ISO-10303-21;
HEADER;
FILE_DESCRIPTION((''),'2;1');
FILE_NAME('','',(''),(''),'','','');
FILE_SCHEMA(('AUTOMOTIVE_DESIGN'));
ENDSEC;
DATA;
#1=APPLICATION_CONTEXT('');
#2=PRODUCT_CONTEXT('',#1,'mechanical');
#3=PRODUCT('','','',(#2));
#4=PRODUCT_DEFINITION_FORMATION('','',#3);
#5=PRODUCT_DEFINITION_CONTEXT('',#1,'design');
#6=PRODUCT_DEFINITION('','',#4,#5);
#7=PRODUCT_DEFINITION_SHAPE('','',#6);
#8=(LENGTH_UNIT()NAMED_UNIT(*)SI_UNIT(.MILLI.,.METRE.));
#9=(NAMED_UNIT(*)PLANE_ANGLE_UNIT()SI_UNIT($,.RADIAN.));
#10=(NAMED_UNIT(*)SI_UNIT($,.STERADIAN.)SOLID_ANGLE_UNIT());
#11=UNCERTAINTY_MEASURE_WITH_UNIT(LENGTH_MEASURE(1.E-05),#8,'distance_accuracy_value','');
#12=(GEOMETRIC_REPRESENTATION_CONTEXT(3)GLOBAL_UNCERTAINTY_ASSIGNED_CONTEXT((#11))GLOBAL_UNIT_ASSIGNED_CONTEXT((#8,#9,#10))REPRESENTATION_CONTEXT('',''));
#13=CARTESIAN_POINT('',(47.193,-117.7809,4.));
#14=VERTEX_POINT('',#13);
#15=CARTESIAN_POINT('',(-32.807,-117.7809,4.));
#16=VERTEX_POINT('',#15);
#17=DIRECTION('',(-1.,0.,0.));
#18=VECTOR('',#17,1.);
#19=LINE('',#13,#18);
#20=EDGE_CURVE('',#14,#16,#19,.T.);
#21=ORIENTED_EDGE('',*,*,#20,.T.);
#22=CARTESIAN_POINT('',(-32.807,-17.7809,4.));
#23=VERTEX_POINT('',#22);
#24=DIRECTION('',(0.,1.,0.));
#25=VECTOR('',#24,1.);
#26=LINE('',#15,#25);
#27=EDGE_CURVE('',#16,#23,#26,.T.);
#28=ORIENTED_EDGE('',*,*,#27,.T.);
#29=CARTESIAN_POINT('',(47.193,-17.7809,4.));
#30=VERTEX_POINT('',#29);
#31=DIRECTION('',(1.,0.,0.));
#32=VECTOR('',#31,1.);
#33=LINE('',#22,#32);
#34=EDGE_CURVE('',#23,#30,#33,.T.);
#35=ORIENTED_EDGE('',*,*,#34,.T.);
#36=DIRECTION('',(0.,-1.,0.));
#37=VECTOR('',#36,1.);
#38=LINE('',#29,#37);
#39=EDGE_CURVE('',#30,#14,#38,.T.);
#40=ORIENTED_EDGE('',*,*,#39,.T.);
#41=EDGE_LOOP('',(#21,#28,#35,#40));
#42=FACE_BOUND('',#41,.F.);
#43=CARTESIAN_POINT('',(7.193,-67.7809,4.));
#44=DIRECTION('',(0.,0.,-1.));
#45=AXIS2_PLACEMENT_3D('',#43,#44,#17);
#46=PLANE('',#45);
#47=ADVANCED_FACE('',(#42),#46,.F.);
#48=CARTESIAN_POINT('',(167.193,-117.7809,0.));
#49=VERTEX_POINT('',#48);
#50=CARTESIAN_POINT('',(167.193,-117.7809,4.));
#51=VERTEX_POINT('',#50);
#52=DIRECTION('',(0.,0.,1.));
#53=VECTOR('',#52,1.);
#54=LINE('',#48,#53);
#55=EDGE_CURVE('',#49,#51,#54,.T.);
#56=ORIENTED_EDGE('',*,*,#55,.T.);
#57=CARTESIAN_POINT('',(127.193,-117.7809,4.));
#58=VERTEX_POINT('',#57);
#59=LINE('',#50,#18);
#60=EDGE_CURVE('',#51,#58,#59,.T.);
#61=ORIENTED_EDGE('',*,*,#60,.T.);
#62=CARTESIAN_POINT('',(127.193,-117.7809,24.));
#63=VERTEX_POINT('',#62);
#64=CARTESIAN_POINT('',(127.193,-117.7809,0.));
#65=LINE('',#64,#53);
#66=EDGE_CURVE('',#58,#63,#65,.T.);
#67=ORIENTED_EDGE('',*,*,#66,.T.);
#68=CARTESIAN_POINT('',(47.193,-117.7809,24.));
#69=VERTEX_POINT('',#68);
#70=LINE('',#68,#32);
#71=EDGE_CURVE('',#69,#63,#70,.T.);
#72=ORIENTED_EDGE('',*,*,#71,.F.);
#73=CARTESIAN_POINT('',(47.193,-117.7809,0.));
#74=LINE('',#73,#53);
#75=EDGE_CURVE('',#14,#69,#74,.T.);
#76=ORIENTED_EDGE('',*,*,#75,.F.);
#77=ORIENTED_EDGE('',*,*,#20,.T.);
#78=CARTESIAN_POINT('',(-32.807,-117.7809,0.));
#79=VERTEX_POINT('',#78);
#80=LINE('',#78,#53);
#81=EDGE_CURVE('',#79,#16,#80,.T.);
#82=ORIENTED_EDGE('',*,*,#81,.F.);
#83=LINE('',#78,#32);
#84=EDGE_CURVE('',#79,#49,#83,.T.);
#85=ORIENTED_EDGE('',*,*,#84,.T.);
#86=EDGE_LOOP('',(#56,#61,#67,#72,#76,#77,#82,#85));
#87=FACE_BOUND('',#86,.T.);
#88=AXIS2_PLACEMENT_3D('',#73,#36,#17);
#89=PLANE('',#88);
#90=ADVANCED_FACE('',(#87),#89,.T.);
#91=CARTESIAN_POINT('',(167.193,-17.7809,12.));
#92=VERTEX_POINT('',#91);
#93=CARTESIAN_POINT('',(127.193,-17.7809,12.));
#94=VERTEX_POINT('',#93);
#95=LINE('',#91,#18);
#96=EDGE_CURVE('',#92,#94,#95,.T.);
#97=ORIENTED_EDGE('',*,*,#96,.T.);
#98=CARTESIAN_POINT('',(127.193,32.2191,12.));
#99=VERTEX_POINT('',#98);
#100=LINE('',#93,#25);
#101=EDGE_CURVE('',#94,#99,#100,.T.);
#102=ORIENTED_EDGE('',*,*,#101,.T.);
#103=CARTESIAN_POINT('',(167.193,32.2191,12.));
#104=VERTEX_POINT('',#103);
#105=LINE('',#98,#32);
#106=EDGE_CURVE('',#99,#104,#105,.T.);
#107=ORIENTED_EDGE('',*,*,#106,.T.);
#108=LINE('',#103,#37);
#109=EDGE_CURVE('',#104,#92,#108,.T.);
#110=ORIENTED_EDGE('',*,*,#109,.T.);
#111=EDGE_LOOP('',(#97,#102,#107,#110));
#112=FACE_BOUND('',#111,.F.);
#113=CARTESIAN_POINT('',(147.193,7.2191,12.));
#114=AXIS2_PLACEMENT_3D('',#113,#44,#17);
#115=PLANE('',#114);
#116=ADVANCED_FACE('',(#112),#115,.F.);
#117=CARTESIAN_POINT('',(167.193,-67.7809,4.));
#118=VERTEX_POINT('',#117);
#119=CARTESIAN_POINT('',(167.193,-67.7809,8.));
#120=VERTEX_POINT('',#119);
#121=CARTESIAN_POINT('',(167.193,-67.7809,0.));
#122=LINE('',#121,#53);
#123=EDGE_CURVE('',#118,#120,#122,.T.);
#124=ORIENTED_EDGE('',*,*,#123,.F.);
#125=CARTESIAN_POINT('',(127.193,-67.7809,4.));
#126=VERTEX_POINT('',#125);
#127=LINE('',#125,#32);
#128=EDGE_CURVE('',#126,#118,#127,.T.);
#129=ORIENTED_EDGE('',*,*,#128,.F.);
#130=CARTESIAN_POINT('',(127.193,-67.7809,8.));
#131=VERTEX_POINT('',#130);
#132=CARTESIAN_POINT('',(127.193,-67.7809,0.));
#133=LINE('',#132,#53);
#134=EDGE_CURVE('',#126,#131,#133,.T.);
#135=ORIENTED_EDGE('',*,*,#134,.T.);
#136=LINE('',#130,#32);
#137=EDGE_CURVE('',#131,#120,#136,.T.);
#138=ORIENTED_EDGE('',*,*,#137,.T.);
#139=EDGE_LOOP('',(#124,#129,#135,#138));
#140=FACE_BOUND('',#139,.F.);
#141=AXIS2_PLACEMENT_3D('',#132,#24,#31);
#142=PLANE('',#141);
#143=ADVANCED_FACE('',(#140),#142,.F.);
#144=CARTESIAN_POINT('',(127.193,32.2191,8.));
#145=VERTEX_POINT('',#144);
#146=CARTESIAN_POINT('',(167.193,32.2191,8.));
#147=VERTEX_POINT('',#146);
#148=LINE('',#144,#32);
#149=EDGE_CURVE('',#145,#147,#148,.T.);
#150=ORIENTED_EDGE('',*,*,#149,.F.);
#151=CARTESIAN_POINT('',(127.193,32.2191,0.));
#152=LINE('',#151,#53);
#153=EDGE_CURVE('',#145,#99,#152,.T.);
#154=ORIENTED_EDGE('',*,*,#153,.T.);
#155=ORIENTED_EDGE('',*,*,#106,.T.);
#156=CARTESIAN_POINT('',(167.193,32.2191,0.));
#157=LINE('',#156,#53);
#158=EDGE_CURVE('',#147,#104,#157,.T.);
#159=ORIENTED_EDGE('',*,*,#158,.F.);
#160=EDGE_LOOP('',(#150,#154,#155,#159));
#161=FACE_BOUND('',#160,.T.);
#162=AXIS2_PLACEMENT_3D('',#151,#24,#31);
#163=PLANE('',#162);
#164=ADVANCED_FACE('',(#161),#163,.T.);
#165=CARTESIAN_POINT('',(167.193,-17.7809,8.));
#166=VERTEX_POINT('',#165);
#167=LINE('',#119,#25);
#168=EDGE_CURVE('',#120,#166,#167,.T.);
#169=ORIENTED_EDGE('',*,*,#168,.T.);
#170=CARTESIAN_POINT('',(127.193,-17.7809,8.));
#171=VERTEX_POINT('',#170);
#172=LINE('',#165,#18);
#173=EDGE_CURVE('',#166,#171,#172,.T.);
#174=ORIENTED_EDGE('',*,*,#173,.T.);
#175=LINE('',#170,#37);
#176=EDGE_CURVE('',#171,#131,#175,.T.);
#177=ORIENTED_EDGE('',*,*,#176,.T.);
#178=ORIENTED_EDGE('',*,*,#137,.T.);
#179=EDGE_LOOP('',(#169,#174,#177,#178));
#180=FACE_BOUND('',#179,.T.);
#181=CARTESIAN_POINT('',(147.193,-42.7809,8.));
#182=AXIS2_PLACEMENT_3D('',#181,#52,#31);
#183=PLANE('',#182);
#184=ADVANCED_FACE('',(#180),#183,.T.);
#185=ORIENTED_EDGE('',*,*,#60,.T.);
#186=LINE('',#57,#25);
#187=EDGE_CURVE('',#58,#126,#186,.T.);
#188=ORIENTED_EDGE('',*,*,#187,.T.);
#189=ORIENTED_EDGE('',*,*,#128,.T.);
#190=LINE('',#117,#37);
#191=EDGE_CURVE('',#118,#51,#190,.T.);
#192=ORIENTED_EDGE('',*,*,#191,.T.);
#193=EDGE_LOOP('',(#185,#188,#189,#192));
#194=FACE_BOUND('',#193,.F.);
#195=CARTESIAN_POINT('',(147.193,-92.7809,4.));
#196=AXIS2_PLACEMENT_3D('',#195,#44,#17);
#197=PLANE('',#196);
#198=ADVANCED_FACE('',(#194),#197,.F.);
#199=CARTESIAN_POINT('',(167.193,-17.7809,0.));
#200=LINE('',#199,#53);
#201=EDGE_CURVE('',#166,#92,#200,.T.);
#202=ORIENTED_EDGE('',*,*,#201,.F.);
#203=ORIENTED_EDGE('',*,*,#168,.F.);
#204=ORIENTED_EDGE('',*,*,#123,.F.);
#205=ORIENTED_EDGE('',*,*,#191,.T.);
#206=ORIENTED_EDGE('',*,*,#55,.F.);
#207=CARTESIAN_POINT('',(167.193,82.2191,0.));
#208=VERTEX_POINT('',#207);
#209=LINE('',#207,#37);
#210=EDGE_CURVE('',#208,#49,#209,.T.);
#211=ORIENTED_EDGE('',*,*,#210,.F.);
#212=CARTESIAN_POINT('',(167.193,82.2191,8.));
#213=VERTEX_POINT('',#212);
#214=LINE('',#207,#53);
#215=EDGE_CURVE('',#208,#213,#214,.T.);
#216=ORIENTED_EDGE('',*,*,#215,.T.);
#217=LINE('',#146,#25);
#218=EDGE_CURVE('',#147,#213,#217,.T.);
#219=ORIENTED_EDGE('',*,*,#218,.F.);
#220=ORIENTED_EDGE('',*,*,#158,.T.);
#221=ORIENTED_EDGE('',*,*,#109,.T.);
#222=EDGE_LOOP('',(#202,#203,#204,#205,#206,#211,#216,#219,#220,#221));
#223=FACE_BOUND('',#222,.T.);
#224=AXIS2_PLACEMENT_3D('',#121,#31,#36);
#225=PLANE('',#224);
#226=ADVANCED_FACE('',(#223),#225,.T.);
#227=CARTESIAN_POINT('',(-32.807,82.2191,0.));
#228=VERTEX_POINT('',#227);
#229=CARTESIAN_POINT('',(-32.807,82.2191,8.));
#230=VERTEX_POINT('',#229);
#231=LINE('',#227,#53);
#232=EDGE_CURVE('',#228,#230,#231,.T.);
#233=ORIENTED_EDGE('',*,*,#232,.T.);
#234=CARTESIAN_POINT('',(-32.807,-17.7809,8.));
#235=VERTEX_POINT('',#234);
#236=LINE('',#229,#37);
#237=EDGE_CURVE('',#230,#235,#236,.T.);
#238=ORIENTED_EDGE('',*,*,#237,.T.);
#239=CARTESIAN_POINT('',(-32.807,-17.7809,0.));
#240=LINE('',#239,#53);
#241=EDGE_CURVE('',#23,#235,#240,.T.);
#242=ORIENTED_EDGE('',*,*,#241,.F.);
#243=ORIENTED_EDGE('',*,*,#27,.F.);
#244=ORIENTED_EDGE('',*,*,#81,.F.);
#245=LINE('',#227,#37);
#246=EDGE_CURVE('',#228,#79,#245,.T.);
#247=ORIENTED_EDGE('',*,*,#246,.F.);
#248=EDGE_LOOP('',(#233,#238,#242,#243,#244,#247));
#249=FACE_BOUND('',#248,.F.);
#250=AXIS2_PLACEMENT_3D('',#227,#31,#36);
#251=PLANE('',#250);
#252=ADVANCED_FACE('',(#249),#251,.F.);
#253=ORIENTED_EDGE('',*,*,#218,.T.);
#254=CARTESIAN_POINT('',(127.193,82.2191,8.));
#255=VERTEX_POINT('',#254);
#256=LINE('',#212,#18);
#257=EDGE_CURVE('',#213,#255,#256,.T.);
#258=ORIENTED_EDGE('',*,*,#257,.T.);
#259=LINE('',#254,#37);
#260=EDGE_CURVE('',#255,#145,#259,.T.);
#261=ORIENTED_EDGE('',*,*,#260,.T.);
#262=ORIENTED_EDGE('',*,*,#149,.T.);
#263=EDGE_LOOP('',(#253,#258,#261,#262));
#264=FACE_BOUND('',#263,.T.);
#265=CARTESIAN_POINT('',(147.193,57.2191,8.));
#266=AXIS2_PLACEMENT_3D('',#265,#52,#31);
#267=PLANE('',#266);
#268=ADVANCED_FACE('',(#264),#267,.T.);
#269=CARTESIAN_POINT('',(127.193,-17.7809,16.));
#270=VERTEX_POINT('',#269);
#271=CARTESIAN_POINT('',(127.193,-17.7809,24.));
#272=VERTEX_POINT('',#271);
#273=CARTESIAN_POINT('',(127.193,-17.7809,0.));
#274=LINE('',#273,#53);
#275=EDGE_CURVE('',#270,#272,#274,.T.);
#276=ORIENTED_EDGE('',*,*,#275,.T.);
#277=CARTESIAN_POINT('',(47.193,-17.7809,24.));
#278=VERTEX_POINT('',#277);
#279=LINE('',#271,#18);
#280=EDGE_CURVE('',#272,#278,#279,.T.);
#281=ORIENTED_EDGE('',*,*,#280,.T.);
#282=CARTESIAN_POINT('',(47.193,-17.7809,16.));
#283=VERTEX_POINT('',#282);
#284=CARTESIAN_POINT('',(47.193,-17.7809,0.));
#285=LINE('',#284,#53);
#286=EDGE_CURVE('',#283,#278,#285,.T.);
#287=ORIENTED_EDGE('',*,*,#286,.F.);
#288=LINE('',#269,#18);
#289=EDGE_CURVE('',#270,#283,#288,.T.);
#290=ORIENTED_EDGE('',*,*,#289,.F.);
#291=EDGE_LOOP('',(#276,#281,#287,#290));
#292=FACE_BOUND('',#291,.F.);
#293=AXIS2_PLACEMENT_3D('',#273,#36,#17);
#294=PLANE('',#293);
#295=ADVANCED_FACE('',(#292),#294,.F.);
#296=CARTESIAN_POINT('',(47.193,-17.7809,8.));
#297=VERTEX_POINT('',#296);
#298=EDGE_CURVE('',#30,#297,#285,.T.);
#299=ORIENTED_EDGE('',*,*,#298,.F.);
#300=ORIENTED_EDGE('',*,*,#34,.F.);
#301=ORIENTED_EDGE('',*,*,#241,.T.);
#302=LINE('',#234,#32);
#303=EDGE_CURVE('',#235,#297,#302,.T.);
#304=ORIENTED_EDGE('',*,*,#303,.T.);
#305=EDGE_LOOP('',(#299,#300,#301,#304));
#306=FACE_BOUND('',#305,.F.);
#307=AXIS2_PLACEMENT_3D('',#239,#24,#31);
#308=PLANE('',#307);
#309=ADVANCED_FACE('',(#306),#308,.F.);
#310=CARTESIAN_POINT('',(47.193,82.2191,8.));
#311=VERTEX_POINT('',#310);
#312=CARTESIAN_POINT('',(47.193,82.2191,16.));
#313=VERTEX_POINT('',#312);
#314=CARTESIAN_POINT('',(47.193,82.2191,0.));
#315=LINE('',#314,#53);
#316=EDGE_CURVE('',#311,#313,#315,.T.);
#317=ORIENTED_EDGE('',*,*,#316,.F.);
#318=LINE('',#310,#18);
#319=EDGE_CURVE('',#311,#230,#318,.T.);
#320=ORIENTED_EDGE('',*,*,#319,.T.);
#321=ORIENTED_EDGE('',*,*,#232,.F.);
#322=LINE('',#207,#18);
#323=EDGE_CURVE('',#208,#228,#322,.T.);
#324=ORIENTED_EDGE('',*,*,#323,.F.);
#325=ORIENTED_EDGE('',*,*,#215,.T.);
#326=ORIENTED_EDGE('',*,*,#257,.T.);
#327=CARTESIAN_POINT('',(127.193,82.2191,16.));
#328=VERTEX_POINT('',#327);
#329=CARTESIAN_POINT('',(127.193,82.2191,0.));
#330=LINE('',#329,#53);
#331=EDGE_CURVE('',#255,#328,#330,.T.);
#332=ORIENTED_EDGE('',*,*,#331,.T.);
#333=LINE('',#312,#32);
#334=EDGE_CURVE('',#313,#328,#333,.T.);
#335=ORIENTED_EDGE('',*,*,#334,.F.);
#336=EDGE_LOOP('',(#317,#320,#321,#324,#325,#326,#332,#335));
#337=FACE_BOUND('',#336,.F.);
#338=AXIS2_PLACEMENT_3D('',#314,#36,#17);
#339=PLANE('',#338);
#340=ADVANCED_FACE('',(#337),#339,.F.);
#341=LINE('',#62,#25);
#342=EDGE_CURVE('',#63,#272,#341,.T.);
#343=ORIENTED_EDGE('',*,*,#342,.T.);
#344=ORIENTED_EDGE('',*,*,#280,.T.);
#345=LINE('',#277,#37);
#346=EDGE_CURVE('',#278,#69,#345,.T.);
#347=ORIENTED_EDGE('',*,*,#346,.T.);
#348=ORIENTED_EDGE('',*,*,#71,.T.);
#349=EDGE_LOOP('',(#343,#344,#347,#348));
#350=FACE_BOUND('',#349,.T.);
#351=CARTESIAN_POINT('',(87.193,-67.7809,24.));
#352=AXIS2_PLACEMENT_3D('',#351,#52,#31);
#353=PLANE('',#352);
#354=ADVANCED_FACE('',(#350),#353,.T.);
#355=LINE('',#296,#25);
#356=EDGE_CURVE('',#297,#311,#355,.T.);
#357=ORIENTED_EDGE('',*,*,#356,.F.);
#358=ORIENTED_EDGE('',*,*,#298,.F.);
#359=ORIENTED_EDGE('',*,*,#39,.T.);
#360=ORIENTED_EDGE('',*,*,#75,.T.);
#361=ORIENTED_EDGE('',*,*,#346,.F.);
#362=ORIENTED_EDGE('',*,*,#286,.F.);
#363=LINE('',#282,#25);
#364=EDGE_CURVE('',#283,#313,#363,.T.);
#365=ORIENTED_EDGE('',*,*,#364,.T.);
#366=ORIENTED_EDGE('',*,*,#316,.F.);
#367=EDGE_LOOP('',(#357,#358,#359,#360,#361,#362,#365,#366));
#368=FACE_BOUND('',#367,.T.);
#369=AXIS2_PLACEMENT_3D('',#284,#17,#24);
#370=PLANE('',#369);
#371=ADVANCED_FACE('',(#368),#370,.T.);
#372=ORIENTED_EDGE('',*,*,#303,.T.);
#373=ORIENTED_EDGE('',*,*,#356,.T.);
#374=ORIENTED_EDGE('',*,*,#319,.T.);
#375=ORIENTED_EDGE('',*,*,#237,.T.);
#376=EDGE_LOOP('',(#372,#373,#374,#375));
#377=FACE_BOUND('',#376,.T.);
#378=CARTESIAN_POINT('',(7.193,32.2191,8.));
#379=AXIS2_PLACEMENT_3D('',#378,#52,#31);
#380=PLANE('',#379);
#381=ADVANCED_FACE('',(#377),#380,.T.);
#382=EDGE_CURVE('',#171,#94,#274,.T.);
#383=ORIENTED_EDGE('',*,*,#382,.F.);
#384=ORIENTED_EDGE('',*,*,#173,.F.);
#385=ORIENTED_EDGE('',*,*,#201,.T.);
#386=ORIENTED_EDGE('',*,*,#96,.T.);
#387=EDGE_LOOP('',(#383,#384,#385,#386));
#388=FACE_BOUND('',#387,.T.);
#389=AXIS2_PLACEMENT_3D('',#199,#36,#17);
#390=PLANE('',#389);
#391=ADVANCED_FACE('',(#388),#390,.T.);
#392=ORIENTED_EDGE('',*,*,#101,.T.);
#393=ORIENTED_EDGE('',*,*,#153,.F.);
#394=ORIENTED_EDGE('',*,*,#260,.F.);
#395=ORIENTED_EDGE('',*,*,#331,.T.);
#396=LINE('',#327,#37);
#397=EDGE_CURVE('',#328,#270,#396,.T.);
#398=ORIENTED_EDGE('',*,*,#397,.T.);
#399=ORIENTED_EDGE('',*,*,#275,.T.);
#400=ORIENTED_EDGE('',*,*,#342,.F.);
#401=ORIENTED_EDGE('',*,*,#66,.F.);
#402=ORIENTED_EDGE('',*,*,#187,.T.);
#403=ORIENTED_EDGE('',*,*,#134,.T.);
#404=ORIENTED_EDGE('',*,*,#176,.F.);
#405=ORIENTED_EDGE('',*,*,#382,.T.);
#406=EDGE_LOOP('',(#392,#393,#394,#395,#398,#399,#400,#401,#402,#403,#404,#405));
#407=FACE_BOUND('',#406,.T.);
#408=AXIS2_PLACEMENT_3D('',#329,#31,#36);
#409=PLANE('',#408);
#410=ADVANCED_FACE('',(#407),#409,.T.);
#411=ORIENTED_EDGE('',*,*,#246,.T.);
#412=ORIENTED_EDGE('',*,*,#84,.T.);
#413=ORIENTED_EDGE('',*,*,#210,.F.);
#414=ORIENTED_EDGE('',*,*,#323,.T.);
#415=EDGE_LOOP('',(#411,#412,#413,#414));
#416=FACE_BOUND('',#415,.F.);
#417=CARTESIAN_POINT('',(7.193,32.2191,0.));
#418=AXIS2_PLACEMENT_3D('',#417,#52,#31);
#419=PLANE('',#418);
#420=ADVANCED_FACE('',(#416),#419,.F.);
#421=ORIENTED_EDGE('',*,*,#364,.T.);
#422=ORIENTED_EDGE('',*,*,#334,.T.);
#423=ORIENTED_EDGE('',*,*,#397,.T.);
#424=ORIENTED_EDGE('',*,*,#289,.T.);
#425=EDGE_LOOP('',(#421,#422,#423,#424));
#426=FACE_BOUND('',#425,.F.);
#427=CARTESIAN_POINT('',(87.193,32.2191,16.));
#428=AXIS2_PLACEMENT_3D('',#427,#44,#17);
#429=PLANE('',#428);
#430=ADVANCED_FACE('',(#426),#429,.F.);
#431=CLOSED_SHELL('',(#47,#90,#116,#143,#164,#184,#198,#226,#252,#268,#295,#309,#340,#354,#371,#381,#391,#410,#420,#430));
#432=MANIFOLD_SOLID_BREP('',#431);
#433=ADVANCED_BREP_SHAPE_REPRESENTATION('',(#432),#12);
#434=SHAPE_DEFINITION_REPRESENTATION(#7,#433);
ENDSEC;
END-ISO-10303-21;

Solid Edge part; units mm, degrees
sketch "Sketch1" plane through (0, 0, 0) normal (0, 0, 1) x (1, 0, 0)
  line L0 (-32.807, 82.2191) -> (-32.807, -17.7809)
  line L1 (-32.807, -17.7809) -> (47.193, -17.7809)
  line L2 (47.193, -17.7809) -> (47.193, 82.2191)
  line L3 (47.193, 82.2191) -> (-32.807, 82.2191)
extrude "Protrusion1" add sketch "Sketch1" along normal blind 8
sketch "Sketch2" plane through (0, 0, 0) normal (0, 0, 1) x (1, 0, 0)
  line L0 (-32.807, -117.7809) -> (-32.807, -17.7809)
  line L1 (-32.807, -17.7809) -> (47.193, -17.7809)
  line L2 (47.193, -17.7809) -> (47.193, -117.7809)
  line L3 (47.193, -117.7809) -> (-32.807, -117.7809)
extrude "ExtrudedProtrusion_2" add sketch "Sketch2" along normal blind 4
sketch "Sketch3" plane through (0, 0, 0) normal (0, 0, 1) x (1, 0, 0)
  line L0 (47.193, 82.2191) -> (127.193, 82.2191)
  line L1 (127.193, 82.2191) -> (127.193, -17.7809)
  line L2 (127.193, -17.7809) -> (47.193, -17.7809)
  line L3 (47.193, -17.7809) -> (47.193, 82.2191)
extrude "ExtrudedProtrusion_3" add sketch "Sketch3" along normal blind 16
sketch "Sketch4" plane through (0, 0, 0) normal (0, 0, 1) x (1, 0, 0)
  line L0 (47.193, -117.7809) -> (127.193, -117.7809)
  line L1 (127.193, -117.7809) -> (127.193, -17.7809)
  line L2 (127.193, -17.7809) -> (47.193, -17.7809)
  line L3 (47.193, -17.7809) -> (47.193, -117.7809)
extrude "ExtrudedProtrusion_4" add sketch "Sketch4" along normal blind 24
sketch "Sketch5" plane through (0, 0, 0) normal (0, 0, 1) x (1, 0, 0)
  line L0 (167.193, -117.7809) -> (127.193, -117.7809)
  line L1 (127.193, -117.7809) -> (127.193, -67.7809)
  line L2 (127.193, -67.7809) -> (167.193, -67.7809)
  line L3 (167.193, -67.7809) -> (167.193, -117.7809)
extrude "ExtrudedProtrusion_5" add sketch "Sketch5" along normal blind 4
sketch "Sketch6" plane through (0, 0, 0) normal (0, 0, 1) x (1, 0, 0)
  line L0 (127.193, -67.7809) -> (167.193, -67.7809)
  line L1 (167.193, -67.7809) -> (167.193, -17.7809)
  line L2 (167.193, -17.7809) -> (127.193, -17.7809)
  line L3 (127.193, -17.7809) -> (127.193, -67.7809)
extrude "ExtrudedProtrusion_6" add sketch "Sketch6" along normal blind 8
sketch "Sketch7" plane through (0, 0, 0) normal (0, 0, 1) x (1, 0, 0)
  line L0 (167.193, -17.7809) -> (127.193, -17.7809)
  line L1 (127.193, -17.7809) -> (127.193, 32.2191)
  line L2 (127.193, 32.2191) -> (167.193, 32.2191)
  line L3 (167.193, 32.2191) -> (167.193, -17.7809)
extrude "ExtrudedProtrusion_7" add sketch "Sketch7" along normal blind 12
sketch "Sketch8" plane through (0, 0, 0) normal (0, 0, 1) x (1, 0, 0)
  line L0 (127.193, 32.2191) -> (167.193, 32.2191)
  line L1 (167.193, 32.2191) -> (167.193, 82.2191)
  line L2 (167.193, 82.2191) -> (127.193, 82.2191)
  line L3 (127.193, 82.2191) -> (127.193, 32.2191)
extrude "ExtrudedProtrusion_8" add sketch "Sketch8" along normal blind 8
